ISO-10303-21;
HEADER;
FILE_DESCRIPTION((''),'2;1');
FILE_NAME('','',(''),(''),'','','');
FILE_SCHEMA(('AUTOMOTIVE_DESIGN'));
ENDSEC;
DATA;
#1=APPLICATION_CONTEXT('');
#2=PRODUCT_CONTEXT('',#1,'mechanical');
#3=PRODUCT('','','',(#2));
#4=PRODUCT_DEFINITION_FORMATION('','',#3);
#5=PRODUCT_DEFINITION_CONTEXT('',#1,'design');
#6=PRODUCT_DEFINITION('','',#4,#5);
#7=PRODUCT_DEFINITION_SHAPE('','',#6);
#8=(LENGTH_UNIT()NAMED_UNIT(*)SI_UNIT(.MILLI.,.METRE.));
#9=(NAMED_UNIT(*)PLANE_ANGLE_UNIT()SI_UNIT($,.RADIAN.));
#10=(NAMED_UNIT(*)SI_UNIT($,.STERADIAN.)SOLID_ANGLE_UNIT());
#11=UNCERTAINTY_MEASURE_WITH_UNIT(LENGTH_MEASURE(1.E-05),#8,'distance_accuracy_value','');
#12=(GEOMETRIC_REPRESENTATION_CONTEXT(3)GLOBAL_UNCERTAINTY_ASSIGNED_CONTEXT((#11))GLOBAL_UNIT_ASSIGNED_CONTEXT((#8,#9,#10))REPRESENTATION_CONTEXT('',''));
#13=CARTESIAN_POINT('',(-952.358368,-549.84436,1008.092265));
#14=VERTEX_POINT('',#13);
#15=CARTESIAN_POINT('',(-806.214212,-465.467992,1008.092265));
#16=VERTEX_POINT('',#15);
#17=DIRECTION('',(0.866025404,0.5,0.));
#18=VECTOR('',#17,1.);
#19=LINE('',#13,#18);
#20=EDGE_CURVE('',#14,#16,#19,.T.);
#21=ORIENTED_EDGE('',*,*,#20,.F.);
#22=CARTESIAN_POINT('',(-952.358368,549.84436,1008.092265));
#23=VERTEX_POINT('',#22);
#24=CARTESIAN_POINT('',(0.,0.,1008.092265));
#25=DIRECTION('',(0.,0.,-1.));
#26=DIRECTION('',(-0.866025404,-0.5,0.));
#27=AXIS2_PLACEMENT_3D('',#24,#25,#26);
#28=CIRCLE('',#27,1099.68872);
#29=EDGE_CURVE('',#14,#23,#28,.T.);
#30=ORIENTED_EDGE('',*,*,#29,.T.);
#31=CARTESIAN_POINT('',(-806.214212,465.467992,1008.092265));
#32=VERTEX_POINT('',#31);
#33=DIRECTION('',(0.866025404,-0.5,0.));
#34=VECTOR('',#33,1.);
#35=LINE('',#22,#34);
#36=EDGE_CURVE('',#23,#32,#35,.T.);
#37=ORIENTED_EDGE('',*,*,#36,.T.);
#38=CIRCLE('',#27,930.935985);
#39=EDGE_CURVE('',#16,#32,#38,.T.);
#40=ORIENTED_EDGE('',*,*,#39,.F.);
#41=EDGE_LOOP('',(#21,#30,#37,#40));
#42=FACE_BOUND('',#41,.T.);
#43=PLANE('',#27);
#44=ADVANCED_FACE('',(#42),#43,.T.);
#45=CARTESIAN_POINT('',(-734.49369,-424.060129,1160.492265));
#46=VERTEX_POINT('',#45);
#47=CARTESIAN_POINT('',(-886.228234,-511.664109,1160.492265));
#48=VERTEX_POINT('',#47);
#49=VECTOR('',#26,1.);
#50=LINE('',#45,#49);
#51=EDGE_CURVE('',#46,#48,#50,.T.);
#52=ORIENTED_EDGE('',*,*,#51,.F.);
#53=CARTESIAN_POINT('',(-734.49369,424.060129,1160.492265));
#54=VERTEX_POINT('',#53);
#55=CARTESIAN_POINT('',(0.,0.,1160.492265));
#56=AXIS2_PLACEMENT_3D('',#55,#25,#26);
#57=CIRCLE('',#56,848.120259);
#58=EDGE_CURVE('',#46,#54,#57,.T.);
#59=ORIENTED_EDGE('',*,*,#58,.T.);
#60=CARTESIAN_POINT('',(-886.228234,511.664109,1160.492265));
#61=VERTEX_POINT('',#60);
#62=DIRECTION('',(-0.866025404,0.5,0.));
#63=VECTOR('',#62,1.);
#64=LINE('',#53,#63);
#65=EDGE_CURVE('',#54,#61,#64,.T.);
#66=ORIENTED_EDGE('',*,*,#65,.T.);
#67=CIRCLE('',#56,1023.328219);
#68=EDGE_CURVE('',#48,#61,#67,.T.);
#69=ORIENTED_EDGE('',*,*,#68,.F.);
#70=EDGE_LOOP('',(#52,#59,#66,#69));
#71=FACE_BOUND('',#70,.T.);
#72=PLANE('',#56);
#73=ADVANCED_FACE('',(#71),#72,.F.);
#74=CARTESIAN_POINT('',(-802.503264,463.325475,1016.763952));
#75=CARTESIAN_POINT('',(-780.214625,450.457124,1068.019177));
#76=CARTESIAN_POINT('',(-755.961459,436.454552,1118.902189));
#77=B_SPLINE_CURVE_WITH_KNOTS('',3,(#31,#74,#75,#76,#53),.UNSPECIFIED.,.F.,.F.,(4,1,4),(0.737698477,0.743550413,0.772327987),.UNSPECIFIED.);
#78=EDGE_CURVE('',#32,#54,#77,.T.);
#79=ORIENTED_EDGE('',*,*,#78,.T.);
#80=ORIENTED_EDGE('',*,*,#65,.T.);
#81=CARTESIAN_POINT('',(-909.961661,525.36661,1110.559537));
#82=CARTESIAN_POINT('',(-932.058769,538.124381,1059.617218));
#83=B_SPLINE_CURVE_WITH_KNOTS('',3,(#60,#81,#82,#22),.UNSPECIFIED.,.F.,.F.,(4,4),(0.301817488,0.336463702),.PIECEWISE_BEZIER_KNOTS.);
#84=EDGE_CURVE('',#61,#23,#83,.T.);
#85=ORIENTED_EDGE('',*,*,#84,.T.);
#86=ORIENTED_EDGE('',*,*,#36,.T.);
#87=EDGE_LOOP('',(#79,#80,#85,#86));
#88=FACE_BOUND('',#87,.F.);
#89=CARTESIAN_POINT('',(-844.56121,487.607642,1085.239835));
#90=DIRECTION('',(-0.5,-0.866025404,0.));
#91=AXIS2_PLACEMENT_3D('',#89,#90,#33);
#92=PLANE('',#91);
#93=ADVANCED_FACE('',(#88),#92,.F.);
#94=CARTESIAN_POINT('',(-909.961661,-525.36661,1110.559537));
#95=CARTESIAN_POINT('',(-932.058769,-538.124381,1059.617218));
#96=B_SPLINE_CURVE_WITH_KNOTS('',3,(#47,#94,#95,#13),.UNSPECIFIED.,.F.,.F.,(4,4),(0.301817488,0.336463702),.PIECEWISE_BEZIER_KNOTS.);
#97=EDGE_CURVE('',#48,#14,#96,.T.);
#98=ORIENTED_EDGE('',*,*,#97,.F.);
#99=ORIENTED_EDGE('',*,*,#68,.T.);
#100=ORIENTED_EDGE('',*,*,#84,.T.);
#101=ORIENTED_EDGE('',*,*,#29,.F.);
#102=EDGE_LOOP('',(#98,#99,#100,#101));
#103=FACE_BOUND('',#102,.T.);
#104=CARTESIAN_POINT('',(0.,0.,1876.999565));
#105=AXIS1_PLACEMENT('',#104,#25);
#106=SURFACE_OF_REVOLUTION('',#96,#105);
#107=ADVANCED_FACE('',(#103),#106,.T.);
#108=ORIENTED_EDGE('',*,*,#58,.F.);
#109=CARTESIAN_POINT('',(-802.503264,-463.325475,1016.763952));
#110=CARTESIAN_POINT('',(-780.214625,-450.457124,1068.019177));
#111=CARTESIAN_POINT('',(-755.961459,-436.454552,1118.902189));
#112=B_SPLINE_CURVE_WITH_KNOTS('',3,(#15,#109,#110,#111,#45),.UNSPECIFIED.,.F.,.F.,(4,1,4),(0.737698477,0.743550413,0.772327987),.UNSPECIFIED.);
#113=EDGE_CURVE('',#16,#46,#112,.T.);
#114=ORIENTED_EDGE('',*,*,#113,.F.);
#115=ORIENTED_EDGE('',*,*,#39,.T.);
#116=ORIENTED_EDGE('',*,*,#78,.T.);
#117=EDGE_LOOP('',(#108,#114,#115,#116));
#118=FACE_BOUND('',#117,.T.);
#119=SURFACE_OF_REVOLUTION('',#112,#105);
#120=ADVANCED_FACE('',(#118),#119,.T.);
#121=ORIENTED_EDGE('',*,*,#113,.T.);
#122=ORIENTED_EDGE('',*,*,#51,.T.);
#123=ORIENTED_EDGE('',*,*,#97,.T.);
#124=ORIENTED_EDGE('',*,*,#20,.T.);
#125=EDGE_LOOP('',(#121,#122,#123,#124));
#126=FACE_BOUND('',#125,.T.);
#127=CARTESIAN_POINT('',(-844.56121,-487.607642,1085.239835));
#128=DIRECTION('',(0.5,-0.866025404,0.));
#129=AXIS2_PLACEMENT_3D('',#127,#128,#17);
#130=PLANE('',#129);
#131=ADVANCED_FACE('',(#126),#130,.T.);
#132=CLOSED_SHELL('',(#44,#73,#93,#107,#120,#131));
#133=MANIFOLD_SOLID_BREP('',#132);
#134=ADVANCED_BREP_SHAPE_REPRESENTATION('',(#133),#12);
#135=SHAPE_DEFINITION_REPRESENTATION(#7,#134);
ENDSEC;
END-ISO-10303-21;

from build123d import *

# Parameters (mm, degrees)
F1_ANGLE_BACK = 30
F1_ANGLE      = 60


with BuildPart() as f1:
    # F0 (on Front) → F1 (revolve)
    with BuildSketch(Plane.XZ, mode=Mode.PRIVATE) as f1_sk:
        with BuildLine():
            add(Edge.make_bspline(
                [(-1023.328218776, 1160.4922653193), (-1050.7332203892, 1110.5595368516), (-1076.2487623673, 1059.6172179521), (-1099.6887199782, 1008.0922653193)],
                knots=[0.3018174881, 0.3018174881, 0.3018174881, 0.3018174881, 0.3364637021, 0.3364637021, 0.3364637021, 0.3364637021], degree=3))
            Line((-1099.6887199782, 1008.0922653193), (-930.9359849962, 1008.0922653193))
            add(Edge.make_bspline(
                [(-930.9359849962, 1008.0922653193), (-926.6509509397, 1016.7639519517), (-900.9142471882, 1068.0191768651), (-872.9091034464, 1118.9021894984), (-848.1202588462, 1160.4922653193)],
                knots=[0.7376984774, 0.7376984774, 0.7376984774, 0.7376984774, 0.743550413, 0.7723279874, 0.7723279874, 0.7723279874, 0.7723279874], degree=3))
            Line((-848.1202588462, 1160.4922653193), (-1023.328218776, 1160.4922653193))
        make_face()
    revolve(f1_sk.sketch.rotate(Axis((0, 0, 1876.9995654606), (0, 0, -1)), -F1_ANGLE_BACK), axis=Axis((0, 0, 1876.9995654606), (0, 0, -1)), revolution_arc=F1_ANGLE)


solid = f1.part
